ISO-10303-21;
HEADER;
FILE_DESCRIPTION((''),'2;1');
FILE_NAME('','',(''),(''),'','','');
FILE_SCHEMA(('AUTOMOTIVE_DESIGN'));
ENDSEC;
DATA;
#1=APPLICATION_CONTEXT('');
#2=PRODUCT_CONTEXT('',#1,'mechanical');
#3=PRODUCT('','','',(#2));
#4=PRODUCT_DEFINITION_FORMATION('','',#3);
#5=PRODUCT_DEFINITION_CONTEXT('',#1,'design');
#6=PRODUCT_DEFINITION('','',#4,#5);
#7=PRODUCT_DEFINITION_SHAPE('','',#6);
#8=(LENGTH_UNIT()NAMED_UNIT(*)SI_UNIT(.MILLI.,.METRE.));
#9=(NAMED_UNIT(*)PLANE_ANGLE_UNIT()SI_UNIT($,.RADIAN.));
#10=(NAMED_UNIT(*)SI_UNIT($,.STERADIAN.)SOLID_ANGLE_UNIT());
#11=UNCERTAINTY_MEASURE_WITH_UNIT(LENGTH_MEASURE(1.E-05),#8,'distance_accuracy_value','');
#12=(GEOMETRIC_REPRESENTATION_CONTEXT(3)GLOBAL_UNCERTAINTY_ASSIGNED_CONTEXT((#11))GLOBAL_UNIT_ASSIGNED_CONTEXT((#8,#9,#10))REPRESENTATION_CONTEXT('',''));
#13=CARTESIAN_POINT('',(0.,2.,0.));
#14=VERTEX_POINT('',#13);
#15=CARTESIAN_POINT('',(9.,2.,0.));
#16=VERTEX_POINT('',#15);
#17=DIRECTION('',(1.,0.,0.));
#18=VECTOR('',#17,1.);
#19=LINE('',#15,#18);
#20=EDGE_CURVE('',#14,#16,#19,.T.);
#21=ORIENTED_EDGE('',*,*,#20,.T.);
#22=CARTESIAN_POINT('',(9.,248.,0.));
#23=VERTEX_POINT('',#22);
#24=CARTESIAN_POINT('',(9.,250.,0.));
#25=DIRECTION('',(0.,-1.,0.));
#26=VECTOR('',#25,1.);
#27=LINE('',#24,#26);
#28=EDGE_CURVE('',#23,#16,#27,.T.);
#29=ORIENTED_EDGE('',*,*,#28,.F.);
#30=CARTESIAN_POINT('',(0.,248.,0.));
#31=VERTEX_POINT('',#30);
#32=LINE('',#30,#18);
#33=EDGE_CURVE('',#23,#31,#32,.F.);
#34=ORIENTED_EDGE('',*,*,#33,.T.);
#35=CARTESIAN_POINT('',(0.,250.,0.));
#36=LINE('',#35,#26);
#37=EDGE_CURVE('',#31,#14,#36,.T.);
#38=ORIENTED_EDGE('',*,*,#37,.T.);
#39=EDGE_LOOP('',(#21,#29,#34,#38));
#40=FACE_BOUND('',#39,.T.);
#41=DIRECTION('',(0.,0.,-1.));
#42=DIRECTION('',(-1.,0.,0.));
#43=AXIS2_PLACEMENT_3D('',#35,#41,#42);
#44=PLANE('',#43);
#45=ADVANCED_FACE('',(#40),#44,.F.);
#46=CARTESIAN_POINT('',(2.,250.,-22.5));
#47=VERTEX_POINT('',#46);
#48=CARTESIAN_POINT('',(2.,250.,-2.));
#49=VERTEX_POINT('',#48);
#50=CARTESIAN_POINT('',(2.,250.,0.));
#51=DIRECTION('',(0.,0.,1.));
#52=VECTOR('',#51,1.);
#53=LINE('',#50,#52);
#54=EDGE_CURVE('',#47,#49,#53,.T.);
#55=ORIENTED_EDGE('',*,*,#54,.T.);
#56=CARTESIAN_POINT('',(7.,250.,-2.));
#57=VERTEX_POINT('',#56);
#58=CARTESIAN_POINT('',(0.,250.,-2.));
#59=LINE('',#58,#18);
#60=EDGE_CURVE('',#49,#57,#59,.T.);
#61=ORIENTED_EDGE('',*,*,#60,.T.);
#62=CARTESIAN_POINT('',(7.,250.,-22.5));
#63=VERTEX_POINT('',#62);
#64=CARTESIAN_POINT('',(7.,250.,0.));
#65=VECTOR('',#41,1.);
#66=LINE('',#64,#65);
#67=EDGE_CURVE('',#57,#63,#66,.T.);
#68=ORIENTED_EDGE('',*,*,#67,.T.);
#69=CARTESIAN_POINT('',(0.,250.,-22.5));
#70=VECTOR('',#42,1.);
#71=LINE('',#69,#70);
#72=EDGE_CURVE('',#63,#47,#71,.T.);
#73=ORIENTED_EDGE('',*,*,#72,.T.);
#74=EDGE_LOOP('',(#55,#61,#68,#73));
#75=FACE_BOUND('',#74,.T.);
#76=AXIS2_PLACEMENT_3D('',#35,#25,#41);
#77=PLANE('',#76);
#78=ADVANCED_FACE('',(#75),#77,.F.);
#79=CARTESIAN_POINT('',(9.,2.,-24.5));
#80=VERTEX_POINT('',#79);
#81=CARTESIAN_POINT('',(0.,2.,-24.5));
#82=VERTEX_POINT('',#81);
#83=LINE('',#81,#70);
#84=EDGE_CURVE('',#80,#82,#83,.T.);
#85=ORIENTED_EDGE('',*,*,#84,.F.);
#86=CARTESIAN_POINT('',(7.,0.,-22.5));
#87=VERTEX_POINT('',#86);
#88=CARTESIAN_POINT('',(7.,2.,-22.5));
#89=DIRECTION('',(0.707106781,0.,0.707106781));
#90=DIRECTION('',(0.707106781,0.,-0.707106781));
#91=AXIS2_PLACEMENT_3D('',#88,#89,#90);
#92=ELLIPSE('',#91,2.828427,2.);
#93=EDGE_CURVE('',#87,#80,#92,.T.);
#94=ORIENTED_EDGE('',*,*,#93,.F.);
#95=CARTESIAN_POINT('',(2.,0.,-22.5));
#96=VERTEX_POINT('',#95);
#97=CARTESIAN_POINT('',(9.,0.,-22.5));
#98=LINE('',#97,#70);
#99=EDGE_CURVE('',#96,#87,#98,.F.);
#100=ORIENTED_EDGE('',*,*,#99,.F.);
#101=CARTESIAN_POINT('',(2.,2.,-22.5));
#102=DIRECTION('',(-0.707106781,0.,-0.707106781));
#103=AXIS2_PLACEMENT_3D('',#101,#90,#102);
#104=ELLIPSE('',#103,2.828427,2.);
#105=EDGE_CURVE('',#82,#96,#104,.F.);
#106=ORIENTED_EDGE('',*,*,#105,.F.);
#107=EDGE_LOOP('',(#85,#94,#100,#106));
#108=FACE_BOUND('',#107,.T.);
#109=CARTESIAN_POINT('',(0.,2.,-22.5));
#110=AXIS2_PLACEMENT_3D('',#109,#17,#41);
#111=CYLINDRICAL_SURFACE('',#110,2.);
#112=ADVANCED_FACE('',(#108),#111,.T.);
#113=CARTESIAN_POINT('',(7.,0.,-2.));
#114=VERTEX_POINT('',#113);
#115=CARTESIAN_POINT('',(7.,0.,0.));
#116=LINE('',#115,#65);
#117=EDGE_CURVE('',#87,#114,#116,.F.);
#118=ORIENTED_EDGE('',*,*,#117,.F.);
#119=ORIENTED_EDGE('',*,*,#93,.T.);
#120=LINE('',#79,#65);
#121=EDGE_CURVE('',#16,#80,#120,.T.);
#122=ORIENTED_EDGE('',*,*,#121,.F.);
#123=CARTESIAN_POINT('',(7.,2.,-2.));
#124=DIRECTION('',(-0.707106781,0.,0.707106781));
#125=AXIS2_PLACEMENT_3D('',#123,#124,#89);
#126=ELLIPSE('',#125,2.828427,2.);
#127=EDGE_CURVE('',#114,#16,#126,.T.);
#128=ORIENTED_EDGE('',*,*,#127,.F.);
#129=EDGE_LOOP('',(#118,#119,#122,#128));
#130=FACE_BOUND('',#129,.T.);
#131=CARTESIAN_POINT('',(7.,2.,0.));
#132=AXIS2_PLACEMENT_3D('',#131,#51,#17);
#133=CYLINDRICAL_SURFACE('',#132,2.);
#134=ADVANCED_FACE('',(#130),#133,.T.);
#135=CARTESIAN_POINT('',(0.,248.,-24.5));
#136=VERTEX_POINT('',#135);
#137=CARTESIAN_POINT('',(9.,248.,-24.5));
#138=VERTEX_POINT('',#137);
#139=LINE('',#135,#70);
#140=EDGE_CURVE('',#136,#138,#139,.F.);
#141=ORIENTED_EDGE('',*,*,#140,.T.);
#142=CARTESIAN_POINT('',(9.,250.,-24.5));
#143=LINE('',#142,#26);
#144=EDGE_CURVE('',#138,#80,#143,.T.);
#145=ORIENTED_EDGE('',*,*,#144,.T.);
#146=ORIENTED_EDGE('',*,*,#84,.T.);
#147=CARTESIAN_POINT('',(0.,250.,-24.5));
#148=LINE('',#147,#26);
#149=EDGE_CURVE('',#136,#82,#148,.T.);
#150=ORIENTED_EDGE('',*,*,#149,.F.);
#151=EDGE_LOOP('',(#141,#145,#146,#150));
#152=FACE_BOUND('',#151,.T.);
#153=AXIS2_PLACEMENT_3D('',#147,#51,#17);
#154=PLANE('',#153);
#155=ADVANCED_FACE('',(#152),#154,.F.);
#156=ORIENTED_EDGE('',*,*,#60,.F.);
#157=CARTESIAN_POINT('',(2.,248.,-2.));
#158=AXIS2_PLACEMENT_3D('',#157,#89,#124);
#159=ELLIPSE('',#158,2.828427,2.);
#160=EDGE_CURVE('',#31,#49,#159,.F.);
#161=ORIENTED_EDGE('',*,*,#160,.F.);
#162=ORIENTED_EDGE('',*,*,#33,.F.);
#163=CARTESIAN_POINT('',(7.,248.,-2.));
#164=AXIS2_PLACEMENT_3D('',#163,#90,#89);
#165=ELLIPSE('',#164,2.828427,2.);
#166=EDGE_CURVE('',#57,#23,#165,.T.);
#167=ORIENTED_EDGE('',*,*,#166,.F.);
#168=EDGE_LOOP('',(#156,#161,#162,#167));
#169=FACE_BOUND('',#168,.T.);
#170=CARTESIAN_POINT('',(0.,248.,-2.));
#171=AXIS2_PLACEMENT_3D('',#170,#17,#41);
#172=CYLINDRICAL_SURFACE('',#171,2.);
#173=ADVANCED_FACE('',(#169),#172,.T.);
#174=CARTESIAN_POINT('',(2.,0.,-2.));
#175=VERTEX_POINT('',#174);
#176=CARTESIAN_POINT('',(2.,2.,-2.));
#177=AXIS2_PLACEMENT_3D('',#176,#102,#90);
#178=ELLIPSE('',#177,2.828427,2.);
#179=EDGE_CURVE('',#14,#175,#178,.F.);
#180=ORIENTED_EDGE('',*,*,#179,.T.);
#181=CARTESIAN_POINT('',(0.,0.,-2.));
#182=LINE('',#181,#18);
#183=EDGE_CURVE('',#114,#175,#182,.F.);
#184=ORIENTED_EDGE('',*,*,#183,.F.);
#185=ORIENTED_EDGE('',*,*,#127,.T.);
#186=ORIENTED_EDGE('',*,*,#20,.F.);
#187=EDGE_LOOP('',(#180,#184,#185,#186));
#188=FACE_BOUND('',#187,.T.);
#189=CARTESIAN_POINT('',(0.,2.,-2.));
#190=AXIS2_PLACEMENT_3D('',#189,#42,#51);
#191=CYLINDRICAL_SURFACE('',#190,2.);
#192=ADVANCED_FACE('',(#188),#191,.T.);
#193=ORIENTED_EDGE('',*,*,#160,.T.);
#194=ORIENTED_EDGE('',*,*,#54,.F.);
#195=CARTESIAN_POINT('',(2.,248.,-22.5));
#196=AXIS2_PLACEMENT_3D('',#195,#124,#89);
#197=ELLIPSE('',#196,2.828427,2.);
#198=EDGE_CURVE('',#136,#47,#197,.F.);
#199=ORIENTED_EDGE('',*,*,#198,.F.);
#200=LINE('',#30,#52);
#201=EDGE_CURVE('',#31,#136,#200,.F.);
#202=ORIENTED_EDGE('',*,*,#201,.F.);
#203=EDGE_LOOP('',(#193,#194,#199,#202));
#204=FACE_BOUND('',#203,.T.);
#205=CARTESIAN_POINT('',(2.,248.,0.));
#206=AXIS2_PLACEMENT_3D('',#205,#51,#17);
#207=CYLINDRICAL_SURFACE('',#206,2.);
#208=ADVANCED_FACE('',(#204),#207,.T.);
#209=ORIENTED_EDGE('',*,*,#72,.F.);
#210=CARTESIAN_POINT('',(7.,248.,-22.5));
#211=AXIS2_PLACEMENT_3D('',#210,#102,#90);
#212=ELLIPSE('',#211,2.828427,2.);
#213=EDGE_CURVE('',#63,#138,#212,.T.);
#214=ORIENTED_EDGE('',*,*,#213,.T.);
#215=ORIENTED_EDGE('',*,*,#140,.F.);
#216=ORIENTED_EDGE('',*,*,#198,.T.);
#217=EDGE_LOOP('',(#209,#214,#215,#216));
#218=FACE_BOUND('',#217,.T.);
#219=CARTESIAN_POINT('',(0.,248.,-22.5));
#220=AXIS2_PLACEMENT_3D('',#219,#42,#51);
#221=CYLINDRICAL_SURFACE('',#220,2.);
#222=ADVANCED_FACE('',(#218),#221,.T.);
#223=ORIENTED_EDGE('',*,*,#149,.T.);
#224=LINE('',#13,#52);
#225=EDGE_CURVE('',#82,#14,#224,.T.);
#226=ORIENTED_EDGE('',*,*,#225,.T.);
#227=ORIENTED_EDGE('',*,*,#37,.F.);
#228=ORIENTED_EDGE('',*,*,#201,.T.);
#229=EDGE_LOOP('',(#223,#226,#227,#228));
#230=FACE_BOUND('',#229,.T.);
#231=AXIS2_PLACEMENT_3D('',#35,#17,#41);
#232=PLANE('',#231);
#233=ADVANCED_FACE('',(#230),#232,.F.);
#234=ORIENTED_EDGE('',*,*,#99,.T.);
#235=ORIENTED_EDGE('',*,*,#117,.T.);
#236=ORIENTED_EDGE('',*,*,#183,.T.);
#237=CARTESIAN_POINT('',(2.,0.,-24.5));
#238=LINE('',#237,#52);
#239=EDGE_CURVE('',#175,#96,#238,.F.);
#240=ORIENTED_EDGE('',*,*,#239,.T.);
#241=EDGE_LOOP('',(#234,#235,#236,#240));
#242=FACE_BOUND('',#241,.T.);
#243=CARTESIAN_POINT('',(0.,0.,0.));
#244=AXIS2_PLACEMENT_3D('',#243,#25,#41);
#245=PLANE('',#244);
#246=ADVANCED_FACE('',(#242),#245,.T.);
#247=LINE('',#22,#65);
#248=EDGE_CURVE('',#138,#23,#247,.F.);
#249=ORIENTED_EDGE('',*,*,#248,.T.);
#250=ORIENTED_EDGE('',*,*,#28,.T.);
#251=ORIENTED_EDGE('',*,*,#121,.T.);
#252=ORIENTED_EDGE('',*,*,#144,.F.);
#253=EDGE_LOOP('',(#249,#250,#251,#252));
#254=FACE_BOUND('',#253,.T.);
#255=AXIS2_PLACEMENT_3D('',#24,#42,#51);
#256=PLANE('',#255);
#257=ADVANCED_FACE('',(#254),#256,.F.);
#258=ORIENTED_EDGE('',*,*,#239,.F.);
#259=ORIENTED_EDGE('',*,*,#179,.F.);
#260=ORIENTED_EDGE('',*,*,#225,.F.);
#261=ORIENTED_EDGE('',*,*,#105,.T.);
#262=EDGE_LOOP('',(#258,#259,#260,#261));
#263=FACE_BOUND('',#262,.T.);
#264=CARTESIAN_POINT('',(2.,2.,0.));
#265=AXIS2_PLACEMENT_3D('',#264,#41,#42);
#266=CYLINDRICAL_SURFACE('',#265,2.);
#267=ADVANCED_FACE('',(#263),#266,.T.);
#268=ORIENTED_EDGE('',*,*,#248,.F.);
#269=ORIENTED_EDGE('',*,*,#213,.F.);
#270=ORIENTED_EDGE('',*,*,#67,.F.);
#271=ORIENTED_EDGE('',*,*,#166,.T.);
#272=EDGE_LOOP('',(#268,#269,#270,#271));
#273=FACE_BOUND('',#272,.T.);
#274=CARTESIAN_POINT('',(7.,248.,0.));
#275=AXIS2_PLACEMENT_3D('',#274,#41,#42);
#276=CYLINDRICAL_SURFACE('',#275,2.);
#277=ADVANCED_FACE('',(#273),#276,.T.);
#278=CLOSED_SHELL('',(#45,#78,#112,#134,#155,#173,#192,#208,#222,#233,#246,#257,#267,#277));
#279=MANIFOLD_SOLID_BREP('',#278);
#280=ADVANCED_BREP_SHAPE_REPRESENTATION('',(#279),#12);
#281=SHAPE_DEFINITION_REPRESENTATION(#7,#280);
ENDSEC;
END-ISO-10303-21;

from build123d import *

# Parameters (mm, degrees)
SKETCH1_W           = 9
SKETCH1_H           = 24.5
BOSS_EXTRUDE1_DEPTH = 250
FILLET1_R           = 2


with BuildPart() as part:
    # Sketch1 → Boss-Extrude1 (new body)
    with BuildSketch(Plane(origin=(0, 0, 0), x_dir=(1, 0, 0), z_dir=(0, 1, 0))):
        with Locations((4.5, 12.25)):
            Rectangle(SKETCH1_W, SKETCH1_H)
    extrude(amount=BOSS_EXTRUDE1_DEPTH)

    # Fillet1
    fillet1_edges = [part.edges().sort_by_distance(p)[0] for p in [
        (9, 250, -12.25),
        (4.5, 250, -24.5),
        (0, 250, -12.25),
        (4.5, 0, -24.5),
        (9, 0, -12.25),
        (4.5, 0, 0),
        (0, 0, -12.25),
        (4.5, 250, 0),
    ]]
    fillet(fillet1_edges, radius=FILLET1_R)


solid = part.part
